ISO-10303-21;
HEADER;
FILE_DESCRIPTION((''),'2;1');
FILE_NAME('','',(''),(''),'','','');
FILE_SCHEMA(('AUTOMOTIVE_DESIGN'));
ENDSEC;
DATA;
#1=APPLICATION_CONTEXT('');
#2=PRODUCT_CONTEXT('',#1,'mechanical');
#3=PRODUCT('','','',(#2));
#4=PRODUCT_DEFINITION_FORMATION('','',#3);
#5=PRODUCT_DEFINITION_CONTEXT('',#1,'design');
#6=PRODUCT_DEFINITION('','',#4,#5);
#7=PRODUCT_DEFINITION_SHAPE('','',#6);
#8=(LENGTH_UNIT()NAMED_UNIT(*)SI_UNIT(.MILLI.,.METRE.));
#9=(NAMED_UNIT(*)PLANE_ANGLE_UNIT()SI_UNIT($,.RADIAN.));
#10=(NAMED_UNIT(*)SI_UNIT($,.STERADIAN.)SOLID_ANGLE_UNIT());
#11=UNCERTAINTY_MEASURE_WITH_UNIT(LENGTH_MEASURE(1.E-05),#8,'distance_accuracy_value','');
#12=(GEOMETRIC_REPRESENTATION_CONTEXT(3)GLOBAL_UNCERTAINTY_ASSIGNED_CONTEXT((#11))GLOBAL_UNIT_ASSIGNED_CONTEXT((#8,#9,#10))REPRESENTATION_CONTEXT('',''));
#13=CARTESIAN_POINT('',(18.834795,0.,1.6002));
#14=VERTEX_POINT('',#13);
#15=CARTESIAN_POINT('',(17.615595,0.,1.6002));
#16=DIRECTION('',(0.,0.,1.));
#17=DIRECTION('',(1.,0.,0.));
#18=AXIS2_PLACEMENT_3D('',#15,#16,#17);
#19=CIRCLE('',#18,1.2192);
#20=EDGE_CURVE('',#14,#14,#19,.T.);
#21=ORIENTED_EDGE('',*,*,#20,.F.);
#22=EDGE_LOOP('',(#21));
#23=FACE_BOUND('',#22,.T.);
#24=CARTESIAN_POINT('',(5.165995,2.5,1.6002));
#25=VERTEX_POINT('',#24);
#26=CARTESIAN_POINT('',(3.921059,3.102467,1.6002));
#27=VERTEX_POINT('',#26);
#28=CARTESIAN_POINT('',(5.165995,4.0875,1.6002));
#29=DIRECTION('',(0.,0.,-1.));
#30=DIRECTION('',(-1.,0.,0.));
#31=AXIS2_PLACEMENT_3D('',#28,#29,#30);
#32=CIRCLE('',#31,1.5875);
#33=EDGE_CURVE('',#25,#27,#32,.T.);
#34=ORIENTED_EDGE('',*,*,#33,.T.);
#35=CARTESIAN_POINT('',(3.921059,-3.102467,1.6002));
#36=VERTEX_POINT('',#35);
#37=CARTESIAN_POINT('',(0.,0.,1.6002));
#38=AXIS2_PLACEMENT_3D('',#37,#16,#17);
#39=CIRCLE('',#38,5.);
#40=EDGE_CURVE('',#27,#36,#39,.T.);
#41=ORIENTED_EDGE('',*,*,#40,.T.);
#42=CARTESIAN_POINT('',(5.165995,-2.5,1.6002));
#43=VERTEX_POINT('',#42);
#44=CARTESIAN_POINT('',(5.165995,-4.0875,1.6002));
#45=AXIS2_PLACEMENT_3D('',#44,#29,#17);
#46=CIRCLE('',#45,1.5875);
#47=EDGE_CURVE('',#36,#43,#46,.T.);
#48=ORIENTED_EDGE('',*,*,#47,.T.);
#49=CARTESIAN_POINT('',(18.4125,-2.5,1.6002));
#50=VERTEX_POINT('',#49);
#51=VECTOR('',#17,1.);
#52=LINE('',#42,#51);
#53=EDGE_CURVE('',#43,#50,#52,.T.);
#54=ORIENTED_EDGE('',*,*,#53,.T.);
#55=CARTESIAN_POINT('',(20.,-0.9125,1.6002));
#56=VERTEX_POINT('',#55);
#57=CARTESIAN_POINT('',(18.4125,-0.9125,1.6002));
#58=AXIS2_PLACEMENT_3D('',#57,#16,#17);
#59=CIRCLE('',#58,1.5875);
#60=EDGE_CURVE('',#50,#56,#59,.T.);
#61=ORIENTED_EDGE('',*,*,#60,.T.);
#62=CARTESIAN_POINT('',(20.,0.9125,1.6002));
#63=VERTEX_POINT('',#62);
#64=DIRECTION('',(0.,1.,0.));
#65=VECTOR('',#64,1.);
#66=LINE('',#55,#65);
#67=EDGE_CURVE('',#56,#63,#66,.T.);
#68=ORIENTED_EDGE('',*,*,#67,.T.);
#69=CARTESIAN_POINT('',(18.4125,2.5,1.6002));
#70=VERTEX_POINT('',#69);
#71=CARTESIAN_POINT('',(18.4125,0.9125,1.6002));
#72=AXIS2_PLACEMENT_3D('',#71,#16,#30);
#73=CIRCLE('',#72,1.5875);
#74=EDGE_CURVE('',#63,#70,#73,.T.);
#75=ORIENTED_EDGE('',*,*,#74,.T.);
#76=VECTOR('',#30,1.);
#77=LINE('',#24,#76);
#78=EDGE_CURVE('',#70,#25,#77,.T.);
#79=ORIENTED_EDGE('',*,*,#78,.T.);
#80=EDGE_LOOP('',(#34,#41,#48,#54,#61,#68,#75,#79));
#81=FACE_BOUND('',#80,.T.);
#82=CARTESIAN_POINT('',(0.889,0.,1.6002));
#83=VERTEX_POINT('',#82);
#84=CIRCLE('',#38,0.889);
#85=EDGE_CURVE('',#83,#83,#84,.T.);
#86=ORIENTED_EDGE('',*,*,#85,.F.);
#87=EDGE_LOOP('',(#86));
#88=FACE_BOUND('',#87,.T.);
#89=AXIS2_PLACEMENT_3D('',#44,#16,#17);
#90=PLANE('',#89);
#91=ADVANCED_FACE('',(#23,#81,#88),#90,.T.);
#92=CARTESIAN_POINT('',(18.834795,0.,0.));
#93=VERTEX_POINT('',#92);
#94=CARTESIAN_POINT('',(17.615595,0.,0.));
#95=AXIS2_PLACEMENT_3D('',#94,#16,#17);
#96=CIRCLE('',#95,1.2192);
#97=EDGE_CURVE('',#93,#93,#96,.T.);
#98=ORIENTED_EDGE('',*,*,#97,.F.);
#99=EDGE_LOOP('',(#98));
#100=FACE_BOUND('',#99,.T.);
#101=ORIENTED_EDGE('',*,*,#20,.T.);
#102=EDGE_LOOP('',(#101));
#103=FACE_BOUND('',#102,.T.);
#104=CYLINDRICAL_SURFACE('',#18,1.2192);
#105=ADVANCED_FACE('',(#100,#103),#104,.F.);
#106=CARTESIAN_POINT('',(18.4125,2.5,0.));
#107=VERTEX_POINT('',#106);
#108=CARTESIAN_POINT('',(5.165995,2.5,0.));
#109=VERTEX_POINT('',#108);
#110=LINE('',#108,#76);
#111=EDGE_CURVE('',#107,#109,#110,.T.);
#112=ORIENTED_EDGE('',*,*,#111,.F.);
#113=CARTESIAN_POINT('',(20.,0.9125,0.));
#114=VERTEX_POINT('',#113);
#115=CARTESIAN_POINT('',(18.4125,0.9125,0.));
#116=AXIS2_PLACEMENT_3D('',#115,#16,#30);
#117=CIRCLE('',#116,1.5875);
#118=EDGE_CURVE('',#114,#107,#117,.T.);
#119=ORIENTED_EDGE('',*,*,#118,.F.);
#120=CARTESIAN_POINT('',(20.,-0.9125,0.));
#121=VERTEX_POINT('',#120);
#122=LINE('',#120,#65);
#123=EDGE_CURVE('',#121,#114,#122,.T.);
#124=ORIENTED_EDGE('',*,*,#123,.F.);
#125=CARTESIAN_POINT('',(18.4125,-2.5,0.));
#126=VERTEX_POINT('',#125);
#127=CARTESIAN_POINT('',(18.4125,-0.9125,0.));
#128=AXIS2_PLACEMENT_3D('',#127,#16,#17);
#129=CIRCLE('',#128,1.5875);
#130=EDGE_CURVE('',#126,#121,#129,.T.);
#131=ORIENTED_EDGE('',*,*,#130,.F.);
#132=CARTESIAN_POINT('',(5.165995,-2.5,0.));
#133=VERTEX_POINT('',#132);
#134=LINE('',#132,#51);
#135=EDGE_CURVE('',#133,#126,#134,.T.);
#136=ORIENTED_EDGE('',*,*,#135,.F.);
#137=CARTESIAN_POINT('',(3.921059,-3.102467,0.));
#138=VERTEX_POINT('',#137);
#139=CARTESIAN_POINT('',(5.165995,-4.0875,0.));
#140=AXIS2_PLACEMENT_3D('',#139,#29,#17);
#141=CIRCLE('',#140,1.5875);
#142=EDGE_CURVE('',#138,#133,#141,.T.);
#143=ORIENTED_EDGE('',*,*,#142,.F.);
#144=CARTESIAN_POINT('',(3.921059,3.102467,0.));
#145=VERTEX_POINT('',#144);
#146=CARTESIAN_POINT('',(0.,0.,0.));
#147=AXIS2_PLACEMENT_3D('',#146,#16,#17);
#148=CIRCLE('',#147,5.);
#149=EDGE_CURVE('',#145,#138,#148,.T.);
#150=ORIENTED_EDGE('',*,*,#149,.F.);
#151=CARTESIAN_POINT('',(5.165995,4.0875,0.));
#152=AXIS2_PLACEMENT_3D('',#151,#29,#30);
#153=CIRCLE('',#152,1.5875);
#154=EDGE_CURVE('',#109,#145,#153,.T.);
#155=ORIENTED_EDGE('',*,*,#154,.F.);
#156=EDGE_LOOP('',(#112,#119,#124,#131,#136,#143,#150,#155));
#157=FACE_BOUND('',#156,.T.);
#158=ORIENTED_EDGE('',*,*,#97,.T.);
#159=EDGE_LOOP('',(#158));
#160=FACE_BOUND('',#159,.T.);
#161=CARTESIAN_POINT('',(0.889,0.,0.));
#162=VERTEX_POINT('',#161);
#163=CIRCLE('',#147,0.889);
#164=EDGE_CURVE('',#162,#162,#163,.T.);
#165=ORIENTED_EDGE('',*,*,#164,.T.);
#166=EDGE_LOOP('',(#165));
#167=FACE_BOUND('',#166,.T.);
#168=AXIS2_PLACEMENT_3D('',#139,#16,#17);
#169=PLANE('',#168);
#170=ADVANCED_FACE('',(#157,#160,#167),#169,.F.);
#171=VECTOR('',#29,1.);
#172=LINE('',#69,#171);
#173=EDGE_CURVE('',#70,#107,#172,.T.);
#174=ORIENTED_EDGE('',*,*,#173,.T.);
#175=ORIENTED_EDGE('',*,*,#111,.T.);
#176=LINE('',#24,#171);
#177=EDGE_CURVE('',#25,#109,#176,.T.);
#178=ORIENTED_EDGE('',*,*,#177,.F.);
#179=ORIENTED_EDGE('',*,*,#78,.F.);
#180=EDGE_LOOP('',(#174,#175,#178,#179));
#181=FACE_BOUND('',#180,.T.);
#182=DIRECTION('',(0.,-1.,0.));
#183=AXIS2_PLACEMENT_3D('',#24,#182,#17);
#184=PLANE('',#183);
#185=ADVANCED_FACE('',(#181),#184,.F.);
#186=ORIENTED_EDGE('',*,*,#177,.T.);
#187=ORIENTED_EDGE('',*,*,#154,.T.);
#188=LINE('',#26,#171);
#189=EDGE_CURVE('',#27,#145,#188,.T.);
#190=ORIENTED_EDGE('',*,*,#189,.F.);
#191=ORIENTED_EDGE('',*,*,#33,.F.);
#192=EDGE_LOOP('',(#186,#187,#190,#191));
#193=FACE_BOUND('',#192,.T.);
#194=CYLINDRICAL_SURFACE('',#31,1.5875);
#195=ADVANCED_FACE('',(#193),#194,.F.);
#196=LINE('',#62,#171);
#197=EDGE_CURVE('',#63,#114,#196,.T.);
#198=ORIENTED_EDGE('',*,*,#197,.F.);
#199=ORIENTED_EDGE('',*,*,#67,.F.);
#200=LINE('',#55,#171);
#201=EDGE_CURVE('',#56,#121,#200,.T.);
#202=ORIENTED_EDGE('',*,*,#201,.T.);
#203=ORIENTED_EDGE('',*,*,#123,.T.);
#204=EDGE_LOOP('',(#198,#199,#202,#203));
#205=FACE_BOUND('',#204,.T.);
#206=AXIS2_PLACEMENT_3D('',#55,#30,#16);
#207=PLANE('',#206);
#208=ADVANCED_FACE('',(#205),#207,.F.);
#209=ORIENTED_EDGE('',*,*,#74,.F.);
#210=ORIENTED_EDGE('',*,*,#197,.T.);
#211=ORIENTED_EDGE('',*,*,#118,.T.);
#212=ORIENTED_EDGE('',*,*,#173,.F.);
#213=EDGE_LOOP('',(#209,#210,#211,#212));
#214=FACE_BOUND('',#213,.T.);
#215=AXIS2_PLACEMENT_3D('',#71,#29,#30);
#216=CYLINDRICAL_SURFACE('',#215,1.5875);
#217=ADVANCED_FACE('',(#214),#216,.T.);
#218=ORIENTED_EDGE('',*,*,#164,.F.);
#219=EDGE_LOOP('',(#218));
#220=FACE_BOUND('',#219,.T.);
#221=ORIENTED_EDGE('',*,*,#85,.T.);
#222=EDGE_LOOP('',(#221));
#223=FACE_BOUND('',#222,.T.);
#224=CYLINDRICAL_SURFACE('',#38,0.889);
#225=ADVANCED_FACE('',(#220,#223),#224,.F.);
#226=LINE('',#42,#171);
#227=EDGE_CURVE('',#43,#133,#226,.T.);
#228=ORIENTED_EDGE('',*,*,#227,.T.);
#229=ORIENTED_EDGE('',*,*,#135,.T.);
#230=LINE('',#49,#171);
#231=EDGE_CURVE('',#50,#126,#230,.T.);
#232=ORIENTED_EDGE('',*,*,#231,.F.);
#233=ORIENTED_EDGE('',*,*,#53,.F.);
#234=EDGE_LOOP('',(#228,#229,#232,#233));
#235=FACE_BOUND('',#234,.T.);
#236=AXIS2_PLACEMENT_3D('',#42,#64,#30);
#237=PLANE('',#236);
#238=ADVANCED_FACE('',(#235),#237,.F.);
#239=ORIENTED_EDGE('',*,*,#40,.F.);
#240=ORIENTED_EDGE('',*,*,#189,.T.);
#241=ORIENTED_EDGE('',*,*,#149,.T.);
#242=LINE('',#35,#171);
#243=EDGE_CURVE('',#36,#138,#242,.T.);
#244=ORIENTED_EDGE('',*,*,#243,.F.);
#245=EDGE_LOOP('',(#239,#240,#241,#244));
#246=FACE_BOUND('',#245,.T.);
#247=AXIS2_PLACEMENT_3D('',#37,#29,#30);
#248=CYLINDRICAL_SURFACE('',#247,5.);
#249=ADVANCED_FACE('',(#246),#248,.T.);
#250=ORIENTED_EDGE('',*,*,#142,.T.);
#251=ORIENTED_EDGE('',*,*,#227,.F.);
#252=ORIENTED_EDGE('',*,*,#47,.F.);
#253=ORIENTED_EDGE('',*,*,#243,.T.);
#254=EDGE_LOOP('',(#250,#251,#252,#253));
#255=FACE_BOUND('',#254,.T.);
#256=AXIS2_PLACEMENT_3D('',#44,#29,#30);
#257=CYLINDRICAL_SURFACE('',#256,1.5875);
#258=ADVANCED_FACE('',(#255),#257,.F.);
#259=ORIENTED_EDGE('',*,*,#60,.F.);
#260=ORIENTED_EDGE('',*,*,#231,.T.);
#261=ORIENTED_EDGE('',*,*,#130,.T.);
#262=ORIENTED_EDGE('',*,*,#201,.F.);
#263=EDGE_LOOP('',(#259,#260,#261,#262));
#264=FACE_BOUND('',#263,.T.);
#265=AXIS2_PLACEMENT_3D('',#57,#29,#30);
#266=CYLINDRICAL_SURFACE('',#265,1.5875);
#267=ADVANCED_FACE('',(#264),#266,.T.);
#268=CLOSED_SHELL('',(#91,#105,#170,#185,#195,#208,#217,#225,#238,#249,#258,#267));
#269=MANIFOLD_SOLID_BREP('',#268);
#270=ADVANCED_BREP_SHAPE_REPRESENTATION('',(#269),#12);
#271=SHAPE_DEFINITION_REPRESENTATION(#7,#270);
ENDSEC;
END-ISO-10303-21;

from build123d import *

# Parameters (mm, degrees)
BOSS_EXTRUDE1_DEPTH   = 1.6002
F_0_CLEARANCE_HOLE1_D = 1.778
F_2_CLEARANCE_HOLE1_D = 2.4384


with BuildPart() as part:
    # Sketch1 → Boss-Extrude1 (new body)
    with BuildSketch(Plane.XY):
        with BuildLine():
            Line((5.16599458, -2.5), (18.4125, -2.5))
            ThreePointArc((18.4125, -2.5), (19.535032015, -2.035032015), (20, -0.9125))
            Line((20, -0.9125), (20, 0.9125))
            ThreePointArc((20, 0.9125), (19.535032015, 2.035032015), (18.4125, 2.5))
            Line((18.4125, 2.5), (5.16599458, 2.5))
            ThreePointArc((5.16599458, 2.5), (4.474468718, 2.658532459), (3.921058505, 3.102466793))
            ThreePointArc((3.921058505, 3.102466793), (-5, 0), (3.921058505, -3.102466793))
            ThreePointArc((3.921058505, -3.102466793), (4.474468718, -2.658532459), (5.16599458, -2.5))
        make_face()
    extrude(amount=BOSS_EXTRUDE1_DEPTH)

    # #0 Clearance Hole1 (through all)
    with Locations(Plane.XY.offset(1.6002)):
        with Locations((0, 0)):
            Hole(F_0_CLEARANCE_HOLE1_D / 2)

    # #2 Clearance Hole1 (through all)
    with Locations(Plane.XY.offset(1.6002)):
        with Locations((17.615594793, 0)):
            Hole(F_2_CLEARANCE_HOLE1_D / 2)


solid = part.part
